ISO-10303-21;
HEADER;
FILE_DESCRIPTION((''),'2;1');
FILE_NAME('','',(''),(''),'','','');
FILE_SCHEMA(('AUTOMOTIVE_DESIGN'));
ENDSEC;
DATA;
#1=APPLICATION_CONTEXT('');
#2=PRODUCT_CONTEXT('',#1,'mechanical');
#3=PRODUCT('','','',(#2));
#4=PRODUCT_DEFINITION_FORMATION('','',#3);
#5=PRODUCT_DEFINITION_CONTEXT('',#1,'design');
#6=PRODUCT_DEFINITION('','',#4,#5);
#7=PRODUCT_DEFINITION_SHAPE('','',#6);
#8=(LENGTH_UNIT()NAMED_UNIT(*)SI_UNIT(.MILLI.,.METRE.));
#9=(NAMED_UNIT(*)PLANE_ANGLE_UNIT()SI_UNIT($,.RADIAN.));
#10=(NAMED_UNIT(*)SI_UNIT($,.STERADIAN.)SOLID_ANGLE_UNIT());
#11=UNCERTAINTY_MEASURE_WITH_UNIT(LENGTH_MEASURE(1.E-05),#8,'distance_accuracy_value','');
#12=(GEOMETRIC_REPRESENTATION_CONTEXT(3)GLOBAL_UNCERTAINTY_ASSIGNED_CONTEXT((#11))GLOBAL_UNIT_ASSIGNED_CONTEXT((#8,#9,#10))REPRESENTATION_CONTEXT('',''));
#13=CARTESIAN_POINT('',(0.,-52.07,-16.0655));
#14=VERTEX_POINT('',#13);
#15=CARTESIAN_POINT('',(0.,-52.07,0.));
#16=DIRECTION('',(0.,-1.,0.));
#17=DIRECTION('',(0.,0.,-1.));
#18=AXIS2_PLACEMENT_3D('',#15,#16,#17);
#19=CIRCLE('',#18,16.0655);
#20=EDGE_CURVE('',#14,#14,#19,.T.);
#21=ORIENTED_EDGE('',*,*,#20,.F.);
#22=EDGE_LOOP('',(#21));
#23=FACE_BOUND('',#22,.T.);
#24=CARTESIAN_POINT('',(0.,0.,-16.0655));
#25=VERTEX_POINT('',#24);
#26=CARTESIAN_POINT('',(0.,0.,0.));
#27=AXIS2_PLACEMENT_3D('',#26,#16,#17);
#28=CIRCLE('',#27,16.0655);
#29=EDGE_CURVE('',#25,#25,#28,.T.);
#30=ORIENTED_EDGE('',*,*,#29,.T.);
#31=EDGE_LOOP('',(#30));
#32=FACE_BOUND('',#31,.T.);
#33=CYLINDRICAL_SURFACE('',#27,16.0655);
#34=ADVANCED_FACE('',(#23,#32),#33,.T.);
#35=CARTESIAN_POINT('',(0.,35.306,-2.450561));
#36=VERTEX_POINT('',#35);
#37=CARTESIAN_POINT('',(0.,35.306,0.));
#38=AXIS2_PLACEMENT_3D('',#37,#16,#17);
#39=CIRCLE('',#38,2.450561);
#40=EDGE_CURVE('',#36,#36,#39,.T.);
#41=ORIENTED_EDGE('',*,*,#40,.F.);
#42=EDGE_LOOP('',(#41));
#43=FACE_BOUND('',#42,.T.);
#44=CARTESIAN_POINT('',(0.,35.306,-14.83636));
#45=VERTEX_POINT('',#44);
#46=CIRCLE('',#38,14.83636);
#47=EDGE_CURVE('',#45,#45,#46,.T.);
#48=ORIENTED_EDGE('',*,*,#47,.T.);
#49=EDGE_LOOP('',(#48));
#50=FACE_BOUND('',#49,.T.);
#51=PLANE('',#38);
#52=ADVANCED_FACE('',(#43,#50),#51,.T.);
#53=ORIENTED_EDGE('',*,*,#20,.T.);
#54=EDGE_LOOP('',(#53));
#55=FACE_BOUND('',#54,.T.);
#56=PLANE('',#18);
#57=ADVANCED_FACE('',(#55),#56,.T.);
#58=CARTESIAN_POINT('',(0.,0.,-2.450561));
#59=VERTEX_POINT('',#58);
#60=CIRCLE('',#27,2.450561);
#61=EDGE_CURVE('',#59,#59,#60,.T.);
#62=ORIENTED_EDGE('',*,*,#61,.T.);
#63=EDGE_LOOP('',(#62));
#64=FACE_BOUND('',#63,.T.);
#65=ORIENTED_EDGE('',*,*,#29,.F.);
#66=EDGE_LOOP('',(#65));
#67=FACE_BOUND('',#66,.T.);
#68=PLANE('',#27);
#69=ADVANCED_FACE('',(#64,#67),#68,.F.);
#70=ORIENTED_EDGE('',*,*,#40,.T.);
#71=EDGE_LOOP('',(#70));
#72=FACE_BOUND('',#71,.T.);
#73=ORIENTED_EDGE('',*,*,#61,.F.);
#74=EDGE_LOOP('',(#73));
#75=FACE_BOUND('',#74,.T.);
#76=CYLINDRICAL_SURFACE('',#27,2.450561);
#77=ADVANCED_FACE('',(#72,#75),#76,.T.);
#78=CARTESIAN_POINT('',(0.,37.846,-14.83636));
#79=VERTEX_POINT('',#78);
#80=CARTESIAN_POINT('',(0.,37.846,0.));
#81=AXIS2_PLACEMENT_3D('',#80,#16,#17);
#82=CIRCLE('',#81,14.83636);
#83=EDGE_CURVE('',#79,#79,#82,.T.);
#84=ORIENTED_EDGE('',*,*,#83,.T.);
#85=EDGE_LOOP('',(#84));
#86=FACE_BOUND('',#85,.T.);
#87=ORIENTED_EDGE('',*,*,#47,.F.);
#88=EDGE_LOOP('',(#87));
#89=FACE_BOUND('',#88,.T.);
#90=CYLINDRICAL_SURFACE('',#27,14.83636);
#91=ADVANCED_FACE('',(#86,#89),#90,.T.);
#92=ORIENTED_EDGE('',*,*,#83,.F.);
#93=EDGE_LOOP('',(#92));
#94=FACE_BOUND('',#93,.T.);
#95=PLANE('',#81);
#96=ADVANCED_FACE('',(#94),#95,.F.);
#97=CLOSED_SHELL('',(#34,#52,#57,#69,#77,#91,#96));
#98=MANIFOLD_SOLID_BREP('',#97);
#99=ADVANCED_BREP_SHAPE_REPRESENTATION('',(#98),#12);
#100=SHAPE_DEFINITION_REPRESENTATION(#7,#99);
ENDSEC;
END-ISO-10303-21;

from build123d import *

# Parameters (mm, degrees)
SKETCH1_W   = 16.0655
SKETCH1_H   = 52.07
SKETCH1_W_2 = 2.450561434
SKETCH1_H_2 = 35.306


with BuildPart() as part:
    # Sketch1 → Revolve1 (revolve)
    with BuildSketch(Plane.XY, mode=Mode.PRIVATE) as revolve1_sk:
        with Locations((8.03275, -26.035)):
            Rectangle(SKETCH1_W, SKETCH1_H)
        with Locations((1.225280717, 17.653)):
            Rectangle(SKETCH1_W_2, SKETCH1_H_2)
        Polygon((0, 37.846), (0, 35.306), (2.450561434, 35.306), (14.836359841, 35.306), (14.836359841, 37.846), align=None)
    revolve(revolve1_sk.sketch.rotate(Axis((0, 0, 0), (0, 1, 0)), 90), axis=Axis((0, 0, 0), (0, 1, 0)))


solid = part.part
